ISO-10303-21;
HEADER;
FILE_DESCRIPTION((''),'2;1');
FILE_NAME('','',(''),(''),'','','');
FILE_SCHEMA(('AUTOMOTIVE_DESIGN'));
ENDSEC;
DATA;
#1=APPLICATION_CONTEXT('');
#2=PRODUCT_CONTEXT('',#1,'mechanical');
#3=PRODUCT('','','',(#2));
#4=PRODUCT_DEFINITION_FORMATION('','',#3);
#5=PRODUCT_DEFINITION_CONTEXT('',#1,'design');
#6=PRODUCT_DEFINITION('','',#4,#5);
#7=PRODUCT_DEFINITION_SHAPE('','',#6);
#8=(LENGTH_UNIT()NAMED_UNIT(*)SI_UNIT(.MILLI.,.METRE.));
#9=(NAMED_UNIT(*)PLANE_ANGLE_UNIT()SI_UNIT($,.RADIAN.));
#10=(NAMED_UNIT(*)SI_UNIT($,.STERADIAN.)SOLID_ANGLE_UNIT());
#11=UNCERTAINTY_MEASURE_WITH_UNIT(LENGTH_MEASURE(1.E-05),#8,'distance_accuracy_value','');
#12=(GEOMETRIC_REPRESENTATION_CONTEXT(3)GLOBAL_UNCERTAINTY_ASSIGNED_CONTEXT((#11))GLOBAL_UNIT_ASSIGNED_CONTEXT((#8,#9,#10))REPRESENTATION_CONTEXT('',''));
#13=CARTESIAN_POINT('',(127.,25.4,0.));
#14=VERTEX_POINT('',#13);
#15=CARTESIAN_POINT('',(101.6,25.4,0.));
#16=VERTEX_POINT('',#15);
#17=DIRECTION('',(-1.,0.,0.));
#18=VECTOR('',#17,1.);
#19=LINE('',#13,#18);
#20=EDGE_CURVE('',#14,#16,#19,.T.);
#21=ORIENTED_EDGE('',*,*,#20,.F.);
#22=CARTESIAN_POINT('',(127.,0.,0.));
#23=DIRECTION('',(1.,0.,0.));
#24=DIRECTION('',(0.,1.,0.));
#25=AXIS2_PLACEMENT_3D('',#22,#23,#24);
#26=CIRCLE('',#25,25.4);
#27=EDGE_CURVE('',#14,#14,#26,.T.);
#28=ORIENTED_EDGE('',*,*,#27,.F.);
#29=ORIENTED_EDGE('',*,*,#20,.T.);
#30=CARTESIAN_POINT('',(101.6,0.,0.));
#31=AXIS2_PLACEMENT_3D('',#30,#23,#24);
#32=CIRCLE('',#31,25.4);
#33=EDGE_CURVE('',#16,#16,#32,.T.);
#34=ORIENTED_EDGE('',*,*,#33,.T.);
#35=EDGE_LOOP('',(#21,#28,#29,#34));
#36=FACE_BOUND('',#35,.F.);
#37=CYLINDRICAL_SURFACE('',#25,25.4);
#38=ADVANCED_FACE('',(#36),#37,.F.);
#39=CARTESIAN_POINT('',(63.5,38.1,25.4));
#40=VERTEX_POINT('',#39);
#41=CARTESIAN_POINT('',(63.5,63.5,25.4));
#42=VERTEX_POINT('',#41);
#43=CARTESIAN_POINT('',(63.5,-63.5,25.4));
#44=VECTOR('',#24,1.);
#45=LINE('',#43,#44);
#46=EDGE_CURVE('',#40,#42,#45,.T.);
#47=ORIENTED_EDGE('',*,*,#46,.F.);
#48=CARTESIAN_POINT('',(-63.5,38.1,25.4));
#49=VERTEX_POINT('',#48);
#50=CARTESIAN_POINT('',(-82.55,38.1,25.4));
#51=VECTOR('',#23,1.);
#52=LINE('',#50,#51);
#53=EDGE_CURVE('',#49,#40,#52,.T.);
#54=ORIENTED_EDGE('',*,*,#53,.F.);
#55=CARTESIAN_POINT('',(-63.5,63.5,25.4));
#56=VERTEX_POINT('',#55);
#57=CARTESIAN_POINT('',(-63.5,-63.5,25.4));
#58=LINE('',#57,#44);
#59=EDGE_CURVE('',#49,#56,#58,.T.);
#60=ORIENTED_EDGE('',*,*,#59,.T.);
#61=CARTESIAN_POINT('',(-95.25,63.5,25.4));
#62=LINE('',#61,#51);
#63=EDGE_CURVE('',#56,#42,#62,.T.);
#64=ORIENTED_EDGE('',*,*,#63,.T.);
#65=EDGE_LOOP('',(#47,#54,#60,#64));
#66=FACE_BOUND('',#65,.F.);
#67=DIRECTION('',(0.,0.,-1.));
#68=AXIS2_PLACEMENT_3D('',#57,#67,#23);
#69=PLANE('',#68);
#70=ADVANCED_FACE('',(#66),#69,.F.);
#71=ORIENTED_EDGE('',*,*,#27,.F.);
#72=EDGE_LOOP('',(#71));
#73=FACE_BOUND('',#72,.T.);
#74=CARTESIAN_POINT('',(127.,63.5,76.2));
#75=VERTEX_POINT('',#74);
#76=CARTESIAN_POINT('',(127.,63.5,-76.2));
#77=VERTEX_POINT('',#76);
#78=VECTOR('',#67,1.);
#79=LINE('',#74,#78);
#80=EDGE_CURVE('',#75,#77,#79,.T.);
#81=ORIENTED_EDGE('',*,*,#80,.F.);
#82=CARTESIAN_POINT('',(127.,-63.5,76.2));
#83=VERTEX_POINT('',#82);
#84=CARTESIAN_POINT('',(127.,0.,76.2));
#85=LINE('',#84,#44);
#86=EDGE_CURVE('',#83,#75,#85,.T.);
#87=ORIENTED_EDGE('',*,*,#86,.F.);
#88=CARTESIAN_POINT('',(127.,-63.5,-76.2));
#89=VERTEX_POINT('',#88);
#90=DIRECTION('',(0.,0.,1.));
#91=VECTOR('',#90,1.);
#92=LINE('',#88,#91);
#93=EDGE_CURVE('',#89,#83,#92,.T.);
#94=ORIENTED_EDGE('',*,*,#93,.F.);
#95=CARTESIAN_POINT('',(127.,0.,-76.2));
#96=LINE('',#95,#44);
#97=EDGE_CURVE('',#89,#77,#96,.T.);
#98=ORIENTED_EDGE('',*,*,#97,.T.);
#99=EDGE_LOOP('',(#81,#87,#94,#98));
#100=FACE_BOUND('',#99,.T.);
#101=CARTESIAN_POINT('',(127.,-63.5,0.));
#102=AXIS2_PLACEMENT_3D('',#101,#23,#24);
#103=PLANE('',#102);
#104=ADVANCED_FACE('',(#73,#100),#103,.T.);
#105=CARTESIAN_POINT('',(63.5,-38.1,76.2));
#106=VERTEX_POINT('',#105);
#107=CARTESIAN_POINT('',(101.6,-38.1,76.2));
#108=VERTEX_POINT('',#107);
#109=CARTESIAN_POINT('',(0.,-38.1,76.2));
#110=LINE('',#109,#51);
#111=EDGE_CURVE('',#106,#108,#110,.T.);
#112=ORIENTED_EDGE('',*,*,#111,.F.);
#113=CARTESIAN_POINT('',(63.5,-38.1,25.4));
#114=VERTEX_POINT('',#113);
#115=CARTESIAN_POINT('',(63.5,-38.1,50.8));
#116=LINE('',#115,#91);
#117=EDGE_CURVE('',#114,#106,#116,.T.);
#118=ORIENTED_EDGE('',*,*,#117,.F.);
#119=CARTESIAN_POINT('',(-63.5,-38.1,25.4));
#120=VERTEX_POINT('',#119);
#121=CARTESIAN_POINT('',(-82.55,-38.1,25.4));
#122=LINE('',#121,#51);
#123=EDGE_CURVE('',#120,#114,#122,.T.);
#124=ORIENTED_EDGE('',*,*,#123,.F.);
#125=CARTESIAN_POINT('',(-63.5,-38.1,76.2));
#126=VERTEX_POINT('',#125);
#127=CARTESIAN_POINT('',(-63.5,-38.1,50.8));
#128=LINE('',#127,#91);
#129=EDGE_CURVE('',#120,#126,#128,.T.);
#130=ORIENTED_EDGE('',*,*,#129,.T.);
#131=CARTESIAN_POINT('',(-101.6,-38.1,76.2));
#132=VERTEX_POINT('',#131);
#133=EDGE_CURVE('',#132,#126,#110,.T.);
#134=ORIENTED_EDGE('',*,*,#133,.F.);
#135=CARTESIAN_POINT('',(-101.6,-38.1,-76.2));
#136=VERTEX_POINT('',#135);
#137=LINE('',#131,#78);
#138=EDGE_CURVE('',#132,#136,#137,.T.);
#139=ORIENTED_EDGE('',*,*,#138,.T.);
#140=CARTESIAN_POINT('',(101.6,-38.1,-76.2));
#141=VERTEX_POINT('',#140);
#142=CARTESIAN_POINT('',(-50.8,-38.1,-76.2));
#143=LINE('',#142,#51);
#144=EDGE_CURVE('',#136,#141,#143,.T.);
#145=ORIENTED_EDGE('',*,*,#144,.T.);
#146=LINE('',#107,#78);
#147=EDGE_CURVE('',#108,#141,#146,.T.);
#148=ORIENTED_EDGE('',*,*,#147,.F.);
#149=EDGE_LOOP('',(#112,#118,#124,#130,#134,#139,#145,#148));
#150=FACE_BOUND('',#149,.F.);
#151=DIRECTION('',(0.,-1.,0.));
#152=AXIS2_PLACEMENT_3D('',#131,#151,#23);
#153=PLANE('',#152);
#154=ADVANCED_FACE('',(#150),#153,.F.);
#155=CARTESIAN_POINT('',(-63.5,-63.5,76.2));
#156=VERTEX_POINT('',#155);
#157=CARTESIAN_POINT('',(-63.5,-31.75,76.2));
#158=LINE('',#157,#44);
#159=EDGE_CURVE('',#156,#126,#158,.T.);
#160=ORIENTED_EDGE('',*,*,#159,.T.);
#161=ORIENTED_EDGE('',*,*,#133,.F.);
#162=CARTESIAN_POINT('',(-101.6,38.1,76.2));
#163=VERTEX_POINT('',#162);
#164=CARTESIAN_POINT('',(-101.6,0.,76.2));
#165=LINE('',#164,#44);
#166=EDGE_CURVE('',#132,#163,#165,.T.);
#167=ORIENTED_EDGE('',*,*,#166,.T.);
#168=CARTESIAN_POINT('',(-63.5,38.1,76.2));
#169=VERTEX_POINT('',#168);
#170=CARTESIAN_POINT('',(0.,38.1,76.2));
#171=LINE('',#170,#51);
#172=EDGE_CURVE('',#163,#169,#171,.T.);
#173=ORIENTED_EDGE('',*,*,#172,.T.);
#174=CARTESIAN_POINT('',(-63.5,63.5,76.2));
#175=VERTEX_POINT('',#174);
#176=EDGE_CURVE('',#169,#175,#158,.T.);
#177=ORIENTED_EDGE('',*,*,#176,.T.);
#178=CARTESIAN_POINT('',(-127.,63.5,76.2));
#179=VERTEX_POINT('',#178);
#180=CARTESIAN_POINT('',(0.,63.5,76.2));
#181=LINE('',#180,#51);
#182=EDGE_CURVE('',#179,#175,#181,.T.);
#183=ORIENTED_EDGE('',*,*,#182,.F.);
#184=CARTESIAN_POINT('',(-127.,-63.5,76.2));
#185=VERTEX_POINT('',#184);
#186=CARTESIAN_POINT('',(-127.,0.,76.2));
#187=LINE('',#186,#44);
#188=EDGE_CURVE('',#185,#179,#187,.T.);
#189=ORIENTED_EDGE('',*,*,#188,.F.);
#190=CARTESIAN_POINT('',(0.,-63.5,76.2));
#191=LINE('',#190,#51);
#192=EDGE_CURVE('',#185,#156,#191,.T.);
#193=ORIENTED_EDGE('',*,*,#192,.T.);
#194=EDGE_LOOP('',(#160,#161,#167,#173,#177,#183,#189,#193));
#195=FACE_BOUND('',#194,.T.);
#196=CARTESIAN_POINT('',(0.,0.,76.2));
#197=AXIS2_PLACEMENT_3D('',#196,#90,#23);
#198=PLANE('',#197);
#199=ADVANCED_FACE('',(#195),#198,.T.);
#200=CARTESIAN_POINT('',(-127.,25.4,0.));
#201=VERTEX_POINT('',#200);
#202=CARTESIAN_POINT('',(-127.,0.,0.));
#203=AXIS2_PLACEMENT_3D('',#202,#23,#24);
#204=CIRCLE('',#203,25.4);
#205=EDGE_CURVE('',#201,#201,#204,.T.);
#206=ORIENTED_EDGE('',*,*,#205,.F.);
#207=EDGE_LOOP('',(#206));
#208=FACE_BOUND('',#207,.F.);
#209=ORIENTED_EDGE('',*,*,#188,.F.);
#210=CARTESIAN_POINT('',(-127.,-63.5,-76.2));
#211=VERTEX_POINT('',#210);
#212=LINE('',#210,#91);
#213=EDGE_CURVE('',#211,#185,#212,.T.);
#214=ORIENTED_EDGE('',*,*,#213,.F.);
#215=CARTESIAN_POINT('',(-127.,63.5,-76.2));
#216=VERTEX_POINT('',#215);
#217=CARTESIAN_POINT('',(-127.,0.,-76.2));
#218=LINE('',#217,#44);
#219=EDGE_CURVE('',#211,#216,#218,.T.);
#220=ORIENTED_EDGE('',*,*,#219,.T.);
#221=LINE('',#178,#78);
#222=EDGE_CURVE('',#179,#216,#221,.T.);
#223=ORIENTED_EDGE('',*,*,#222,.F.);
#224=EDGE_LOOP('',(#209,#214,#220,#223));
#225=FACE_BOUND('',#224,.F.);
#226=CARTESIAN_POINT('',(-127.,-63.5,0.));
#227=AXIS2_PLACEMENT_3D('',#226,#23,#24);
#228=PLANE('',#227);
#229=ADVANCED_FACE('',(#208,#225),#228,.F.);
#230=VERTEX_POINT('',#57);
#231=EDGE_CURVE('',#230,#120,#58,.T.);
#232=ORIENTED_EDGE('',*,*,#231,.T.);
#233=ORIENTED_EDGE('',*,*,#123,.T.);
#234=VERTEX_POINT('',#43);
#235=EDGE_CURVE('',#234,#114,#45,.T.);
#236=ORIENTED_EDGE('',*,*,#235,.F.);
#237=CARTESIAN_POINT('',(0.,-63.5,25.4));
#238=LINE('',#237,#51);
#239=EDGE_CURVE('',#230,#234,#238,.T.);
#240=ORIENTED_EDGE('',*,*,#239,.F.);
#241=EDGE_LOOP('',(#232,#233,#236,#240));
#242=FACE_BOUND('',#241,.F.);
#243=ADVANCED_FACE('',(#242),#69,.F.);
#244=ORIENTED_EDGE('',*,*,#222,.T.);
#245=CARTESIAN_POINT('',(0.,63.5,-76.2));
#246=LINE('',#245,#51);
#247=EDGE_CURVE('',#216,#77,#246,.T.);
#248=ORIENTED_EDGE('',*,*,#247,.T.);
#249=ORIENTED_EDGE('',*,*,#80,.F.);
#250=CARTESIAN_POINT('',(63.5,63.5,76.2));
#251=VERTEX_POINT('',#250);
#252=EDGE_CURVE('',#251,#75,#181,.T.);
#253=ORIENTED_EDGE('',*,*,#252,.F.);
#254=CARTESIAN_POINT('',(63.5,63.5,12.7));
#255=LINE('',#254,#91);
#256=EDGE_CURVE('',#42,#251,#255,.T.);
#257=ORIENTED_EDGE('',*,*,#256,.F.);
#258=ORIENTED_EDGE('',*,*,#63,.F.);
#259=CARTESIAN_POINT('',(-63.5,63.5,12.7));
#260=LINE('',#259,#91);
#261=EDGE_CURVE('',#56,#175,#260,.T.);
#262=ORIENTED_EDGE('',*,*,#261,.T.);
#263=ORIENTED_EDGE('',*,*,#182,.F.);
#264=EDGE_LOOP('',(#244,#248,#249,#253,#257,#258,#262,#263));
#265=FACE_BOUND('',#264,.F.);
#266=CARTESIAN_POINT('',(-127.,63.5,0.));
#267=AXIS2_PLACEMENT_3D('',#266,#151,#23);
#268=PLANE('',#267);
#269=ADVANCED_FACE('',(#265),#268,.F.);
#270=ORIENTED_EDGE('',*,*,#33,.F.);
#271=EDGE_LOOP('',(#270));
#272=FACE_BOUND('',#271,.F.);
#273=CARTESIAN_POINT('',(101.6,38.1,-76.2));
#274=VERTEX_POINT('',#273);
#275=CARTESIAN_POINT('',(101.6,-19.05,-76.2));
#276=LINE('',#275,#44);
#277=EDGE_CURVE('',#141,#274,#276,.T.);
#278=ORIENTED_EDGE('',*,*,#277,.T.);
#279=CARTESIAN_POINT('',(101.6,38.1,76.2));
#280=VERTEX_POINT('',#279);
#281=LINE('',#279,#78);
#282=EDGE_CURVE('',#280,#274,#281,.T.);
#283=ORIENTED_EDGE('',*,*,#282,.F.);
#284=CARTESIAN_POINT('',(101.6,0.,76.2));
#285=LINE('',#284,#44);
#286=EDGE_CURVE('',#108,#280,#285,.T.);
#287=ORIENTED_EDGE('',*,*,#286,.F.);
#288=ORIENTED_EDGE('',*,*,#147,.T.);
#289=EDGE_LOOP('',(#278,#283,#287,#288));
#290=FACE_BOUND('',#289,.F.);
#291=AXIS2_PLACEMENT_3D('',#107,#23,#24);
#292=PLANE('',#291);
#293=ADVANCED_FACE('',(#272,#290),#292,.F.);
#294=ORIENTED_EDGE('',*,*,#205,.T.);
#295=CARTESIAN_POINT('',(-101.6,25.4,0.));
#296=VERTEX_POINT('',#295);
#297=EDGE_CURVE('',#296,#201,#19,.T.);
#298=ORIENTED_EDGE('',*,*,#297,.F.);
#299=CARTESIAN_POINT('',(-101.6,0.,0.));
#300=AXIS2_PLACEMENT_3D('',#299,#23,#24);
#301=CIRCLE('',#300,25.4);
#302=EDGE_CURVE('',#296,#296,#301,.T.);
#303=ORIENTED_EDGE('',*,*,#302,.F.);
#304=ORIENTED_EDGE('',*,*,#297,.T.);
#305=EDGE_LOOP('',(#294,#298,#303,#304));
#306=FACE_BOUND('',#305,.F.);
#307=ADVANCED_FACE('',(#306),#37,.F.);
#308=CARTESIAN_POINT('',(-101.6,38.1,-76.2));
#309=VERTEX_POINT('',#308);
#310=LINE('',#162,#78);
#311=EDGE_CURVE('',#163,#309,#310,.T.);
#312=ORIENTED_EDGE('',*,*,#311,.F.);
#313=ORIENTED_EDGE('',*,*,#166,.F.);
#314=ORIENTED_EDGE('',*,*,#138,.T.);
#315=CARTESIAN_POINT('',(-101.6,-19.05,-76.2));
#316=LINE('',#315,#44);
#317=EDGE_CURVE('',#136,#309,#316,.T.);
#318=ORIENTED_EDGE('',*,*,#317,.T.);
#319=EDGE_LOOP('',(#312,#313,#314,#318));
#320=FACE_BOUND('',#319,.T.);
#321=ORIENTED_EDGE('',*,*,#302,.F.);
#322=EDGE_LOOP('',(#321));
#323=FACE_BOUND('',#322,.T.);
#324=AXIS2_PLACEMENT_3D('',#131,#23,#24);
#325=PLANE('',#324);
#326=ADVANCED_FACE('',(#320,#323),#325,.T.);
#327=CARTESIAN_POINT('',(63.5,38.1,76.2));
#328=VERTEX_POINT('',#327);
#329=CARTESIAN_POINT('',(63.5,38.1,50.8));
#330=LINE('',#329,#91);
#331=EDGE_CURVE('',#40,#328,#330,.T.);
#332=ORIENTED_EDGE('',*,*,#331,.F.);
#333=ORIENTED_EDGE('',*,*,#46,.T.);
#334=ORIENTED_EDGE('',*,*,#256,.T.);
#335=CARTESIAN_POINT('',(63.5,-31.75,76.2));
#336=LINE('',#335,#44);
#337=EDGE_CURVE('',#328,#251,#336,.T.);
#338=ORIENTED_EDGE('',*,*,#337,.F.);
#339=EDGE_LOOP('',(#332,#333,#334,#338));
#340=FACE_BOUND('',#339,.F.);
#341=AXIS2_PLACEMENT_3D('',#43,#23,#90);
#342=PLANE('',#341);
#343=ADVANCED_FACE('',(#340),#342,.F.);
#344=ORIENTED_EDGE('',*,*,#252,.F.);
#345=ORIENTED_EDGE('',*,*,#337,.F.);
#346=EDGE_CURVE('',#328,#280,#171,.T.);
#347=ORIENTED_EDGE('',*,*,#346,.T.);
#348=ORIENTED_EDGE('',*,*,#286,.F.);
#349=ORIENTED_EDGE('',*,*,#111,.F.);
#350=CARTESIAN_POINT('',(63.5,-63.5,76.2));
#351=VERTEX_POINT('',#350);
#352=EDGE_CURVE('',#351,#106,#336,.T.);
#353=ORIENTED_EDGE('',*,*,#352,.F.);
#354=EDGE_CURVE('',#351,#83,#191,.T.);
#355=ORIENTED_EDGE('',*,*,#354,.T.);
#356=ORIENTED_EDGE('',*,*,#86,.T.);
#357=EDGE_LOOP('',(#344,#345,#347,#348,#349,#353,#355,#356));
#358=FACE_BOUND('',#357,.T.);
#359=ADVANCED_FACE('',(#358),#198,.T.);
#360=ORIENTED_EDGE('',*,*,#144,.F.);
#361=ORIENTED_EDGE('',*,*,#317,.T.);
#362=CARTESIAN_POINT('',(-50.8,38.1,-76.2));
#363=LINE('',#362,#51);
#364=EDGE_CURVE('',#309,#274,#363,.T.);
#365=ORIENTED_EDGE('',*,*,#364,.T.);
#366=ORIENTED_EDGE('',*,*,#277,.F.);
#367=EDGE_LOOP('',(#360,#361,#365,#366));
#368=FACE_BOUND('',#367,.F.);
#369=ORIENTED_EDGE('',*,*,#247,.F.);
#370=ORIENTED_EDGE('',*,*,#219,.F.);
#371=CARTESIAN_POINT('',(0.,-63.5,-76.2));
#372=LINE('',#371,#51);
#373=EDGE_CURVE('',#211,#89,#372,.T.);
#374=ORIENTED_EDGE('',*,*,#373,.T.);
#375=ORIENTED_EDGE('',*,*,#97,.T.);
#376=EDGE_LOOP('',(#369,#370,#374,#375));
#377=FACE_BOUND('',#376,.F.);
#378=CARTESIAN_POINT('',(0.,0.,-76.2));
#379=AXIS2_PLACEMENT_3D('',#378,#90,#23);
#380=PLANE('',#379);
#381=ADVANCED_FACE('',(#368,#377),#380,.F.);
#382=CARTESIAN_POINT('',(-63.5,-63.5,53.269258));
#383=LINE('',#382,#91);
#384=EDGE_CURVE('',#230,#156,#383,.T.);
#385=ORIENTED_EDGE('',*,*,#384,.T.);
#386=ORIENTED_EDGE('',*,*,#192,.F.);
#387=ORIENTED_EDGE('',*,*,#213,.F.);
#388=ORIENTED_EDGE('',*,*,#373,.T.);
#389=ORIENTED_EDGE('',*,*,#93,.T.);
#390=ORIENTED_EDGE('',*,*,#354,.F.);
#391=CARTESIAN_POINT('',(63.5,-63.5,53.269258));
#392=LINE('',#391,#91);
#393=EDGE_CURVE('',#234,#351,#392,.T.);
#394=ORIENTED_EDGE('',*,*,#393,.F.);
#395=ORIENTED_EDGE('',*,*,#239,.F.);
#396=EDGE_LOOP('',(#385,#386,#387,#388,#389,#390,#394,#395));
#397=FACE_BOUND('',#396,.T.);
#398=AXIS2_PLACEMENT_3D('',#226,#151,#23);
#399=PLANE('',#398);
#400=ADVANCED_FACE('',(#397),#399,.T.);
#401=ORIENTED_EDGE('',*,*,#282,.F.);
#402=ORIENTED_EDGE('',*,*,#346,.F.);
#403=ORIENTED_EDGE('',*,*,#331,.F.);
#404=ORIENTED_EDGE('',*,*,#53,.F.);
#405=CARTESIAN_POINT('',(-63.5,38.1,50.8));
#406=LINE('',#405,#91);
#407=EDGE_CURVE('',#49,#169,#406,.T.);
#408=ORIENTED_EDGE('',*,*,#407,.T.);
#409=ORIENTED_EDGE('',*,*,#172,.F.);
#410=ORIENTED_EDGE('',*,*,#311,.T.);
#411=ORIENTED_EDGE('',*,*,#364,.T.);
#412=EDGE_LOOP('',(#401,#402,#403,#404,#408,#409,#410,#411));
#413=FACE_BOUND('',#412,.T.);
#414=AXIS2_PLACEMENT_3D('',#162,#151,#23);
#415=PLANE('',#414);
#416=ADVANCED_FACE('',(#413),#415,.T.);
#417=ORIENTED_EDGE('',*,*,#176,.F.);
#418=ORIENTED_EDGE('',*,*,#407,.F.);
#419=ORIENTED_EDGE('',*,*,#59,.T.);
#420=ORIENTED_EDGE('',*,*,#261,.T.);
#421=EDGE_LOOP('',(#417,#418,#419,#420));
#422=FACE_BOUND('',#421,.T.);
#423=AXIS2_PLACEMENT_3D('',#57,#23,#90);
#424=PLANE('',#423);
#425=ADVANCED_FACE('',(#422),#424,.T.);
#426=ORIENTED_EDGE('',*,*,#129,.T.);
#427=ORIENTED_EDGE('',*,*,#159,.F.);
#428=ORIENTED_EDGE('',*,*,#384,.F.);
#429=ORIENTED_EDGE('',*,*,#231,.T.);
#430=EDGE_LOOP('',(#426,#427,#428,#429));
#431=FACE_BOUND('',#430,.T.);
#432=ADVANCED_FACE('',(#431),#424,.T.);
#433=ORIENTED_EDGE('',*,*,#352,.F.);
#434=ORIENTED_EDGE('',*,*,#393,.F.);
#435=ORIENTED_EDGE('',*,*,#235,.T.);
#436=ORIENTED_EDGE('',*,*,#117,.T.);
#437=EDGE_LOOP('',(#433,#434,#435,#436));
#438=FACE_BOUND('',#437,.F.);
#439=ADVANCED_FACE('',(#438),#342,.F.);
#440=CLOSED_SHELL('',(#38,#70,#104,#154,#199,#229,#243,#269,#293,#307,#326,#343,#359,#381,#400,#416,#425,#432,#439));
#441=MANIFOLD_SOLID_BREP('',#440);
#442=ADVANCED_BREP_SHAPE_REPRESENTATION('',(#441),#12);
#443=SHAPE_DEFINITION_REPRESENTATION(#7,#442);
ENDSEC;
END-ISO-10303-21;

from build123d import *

# Parameters (mm, degrees)
F0_W     = 254
F0_H     = 127
F1_DEPTH = 76.2
F2_W     = 203.2
F2_H     = 76.2
F3_DEPTH = 152.401
F4_W     = 127
F4_H     = 55.738516
F5_DEPTH = 127.001
F6_R     = 25.4
F7_DEPTH = 254.001


with BuildPart() as f1:
    # F0 (on Top) → F1 (new body, symmetric)
    with BuildSketch(Plane.XY):
        Rectangle(F0_W, F0_H)
    extrude(amount=F1_DEPTH, both=True)

    # F2 (on face) → F3 (cut, through all)
    with BuildSketch(Plane.XY.offset(76.2)):
        Rectangle(F2_W, F2_H)
    extrude(amount=-F3_DEPTH, mode=Mode.SUBTRACT)

    # F4 (on face) → F5 (cut, through all)
    with BuildSketch(Plane.XZ.offset(63.5)):
        with Locations((0, 53.269258)):
            Rectangle(F4_W, F4_H)
    extrude(amount=-F5_DEPTH, mode=Mode.SUBTRACT)

    # F6 (on face) → F7 (cut, through all)
    with BuildSketch(Plane.YZ.offset(127)):
        Circle(F6_R)
    extrude(amount=-F7_DEPTH, mode=Mode.SUBTRACT)


solid = f1.part
